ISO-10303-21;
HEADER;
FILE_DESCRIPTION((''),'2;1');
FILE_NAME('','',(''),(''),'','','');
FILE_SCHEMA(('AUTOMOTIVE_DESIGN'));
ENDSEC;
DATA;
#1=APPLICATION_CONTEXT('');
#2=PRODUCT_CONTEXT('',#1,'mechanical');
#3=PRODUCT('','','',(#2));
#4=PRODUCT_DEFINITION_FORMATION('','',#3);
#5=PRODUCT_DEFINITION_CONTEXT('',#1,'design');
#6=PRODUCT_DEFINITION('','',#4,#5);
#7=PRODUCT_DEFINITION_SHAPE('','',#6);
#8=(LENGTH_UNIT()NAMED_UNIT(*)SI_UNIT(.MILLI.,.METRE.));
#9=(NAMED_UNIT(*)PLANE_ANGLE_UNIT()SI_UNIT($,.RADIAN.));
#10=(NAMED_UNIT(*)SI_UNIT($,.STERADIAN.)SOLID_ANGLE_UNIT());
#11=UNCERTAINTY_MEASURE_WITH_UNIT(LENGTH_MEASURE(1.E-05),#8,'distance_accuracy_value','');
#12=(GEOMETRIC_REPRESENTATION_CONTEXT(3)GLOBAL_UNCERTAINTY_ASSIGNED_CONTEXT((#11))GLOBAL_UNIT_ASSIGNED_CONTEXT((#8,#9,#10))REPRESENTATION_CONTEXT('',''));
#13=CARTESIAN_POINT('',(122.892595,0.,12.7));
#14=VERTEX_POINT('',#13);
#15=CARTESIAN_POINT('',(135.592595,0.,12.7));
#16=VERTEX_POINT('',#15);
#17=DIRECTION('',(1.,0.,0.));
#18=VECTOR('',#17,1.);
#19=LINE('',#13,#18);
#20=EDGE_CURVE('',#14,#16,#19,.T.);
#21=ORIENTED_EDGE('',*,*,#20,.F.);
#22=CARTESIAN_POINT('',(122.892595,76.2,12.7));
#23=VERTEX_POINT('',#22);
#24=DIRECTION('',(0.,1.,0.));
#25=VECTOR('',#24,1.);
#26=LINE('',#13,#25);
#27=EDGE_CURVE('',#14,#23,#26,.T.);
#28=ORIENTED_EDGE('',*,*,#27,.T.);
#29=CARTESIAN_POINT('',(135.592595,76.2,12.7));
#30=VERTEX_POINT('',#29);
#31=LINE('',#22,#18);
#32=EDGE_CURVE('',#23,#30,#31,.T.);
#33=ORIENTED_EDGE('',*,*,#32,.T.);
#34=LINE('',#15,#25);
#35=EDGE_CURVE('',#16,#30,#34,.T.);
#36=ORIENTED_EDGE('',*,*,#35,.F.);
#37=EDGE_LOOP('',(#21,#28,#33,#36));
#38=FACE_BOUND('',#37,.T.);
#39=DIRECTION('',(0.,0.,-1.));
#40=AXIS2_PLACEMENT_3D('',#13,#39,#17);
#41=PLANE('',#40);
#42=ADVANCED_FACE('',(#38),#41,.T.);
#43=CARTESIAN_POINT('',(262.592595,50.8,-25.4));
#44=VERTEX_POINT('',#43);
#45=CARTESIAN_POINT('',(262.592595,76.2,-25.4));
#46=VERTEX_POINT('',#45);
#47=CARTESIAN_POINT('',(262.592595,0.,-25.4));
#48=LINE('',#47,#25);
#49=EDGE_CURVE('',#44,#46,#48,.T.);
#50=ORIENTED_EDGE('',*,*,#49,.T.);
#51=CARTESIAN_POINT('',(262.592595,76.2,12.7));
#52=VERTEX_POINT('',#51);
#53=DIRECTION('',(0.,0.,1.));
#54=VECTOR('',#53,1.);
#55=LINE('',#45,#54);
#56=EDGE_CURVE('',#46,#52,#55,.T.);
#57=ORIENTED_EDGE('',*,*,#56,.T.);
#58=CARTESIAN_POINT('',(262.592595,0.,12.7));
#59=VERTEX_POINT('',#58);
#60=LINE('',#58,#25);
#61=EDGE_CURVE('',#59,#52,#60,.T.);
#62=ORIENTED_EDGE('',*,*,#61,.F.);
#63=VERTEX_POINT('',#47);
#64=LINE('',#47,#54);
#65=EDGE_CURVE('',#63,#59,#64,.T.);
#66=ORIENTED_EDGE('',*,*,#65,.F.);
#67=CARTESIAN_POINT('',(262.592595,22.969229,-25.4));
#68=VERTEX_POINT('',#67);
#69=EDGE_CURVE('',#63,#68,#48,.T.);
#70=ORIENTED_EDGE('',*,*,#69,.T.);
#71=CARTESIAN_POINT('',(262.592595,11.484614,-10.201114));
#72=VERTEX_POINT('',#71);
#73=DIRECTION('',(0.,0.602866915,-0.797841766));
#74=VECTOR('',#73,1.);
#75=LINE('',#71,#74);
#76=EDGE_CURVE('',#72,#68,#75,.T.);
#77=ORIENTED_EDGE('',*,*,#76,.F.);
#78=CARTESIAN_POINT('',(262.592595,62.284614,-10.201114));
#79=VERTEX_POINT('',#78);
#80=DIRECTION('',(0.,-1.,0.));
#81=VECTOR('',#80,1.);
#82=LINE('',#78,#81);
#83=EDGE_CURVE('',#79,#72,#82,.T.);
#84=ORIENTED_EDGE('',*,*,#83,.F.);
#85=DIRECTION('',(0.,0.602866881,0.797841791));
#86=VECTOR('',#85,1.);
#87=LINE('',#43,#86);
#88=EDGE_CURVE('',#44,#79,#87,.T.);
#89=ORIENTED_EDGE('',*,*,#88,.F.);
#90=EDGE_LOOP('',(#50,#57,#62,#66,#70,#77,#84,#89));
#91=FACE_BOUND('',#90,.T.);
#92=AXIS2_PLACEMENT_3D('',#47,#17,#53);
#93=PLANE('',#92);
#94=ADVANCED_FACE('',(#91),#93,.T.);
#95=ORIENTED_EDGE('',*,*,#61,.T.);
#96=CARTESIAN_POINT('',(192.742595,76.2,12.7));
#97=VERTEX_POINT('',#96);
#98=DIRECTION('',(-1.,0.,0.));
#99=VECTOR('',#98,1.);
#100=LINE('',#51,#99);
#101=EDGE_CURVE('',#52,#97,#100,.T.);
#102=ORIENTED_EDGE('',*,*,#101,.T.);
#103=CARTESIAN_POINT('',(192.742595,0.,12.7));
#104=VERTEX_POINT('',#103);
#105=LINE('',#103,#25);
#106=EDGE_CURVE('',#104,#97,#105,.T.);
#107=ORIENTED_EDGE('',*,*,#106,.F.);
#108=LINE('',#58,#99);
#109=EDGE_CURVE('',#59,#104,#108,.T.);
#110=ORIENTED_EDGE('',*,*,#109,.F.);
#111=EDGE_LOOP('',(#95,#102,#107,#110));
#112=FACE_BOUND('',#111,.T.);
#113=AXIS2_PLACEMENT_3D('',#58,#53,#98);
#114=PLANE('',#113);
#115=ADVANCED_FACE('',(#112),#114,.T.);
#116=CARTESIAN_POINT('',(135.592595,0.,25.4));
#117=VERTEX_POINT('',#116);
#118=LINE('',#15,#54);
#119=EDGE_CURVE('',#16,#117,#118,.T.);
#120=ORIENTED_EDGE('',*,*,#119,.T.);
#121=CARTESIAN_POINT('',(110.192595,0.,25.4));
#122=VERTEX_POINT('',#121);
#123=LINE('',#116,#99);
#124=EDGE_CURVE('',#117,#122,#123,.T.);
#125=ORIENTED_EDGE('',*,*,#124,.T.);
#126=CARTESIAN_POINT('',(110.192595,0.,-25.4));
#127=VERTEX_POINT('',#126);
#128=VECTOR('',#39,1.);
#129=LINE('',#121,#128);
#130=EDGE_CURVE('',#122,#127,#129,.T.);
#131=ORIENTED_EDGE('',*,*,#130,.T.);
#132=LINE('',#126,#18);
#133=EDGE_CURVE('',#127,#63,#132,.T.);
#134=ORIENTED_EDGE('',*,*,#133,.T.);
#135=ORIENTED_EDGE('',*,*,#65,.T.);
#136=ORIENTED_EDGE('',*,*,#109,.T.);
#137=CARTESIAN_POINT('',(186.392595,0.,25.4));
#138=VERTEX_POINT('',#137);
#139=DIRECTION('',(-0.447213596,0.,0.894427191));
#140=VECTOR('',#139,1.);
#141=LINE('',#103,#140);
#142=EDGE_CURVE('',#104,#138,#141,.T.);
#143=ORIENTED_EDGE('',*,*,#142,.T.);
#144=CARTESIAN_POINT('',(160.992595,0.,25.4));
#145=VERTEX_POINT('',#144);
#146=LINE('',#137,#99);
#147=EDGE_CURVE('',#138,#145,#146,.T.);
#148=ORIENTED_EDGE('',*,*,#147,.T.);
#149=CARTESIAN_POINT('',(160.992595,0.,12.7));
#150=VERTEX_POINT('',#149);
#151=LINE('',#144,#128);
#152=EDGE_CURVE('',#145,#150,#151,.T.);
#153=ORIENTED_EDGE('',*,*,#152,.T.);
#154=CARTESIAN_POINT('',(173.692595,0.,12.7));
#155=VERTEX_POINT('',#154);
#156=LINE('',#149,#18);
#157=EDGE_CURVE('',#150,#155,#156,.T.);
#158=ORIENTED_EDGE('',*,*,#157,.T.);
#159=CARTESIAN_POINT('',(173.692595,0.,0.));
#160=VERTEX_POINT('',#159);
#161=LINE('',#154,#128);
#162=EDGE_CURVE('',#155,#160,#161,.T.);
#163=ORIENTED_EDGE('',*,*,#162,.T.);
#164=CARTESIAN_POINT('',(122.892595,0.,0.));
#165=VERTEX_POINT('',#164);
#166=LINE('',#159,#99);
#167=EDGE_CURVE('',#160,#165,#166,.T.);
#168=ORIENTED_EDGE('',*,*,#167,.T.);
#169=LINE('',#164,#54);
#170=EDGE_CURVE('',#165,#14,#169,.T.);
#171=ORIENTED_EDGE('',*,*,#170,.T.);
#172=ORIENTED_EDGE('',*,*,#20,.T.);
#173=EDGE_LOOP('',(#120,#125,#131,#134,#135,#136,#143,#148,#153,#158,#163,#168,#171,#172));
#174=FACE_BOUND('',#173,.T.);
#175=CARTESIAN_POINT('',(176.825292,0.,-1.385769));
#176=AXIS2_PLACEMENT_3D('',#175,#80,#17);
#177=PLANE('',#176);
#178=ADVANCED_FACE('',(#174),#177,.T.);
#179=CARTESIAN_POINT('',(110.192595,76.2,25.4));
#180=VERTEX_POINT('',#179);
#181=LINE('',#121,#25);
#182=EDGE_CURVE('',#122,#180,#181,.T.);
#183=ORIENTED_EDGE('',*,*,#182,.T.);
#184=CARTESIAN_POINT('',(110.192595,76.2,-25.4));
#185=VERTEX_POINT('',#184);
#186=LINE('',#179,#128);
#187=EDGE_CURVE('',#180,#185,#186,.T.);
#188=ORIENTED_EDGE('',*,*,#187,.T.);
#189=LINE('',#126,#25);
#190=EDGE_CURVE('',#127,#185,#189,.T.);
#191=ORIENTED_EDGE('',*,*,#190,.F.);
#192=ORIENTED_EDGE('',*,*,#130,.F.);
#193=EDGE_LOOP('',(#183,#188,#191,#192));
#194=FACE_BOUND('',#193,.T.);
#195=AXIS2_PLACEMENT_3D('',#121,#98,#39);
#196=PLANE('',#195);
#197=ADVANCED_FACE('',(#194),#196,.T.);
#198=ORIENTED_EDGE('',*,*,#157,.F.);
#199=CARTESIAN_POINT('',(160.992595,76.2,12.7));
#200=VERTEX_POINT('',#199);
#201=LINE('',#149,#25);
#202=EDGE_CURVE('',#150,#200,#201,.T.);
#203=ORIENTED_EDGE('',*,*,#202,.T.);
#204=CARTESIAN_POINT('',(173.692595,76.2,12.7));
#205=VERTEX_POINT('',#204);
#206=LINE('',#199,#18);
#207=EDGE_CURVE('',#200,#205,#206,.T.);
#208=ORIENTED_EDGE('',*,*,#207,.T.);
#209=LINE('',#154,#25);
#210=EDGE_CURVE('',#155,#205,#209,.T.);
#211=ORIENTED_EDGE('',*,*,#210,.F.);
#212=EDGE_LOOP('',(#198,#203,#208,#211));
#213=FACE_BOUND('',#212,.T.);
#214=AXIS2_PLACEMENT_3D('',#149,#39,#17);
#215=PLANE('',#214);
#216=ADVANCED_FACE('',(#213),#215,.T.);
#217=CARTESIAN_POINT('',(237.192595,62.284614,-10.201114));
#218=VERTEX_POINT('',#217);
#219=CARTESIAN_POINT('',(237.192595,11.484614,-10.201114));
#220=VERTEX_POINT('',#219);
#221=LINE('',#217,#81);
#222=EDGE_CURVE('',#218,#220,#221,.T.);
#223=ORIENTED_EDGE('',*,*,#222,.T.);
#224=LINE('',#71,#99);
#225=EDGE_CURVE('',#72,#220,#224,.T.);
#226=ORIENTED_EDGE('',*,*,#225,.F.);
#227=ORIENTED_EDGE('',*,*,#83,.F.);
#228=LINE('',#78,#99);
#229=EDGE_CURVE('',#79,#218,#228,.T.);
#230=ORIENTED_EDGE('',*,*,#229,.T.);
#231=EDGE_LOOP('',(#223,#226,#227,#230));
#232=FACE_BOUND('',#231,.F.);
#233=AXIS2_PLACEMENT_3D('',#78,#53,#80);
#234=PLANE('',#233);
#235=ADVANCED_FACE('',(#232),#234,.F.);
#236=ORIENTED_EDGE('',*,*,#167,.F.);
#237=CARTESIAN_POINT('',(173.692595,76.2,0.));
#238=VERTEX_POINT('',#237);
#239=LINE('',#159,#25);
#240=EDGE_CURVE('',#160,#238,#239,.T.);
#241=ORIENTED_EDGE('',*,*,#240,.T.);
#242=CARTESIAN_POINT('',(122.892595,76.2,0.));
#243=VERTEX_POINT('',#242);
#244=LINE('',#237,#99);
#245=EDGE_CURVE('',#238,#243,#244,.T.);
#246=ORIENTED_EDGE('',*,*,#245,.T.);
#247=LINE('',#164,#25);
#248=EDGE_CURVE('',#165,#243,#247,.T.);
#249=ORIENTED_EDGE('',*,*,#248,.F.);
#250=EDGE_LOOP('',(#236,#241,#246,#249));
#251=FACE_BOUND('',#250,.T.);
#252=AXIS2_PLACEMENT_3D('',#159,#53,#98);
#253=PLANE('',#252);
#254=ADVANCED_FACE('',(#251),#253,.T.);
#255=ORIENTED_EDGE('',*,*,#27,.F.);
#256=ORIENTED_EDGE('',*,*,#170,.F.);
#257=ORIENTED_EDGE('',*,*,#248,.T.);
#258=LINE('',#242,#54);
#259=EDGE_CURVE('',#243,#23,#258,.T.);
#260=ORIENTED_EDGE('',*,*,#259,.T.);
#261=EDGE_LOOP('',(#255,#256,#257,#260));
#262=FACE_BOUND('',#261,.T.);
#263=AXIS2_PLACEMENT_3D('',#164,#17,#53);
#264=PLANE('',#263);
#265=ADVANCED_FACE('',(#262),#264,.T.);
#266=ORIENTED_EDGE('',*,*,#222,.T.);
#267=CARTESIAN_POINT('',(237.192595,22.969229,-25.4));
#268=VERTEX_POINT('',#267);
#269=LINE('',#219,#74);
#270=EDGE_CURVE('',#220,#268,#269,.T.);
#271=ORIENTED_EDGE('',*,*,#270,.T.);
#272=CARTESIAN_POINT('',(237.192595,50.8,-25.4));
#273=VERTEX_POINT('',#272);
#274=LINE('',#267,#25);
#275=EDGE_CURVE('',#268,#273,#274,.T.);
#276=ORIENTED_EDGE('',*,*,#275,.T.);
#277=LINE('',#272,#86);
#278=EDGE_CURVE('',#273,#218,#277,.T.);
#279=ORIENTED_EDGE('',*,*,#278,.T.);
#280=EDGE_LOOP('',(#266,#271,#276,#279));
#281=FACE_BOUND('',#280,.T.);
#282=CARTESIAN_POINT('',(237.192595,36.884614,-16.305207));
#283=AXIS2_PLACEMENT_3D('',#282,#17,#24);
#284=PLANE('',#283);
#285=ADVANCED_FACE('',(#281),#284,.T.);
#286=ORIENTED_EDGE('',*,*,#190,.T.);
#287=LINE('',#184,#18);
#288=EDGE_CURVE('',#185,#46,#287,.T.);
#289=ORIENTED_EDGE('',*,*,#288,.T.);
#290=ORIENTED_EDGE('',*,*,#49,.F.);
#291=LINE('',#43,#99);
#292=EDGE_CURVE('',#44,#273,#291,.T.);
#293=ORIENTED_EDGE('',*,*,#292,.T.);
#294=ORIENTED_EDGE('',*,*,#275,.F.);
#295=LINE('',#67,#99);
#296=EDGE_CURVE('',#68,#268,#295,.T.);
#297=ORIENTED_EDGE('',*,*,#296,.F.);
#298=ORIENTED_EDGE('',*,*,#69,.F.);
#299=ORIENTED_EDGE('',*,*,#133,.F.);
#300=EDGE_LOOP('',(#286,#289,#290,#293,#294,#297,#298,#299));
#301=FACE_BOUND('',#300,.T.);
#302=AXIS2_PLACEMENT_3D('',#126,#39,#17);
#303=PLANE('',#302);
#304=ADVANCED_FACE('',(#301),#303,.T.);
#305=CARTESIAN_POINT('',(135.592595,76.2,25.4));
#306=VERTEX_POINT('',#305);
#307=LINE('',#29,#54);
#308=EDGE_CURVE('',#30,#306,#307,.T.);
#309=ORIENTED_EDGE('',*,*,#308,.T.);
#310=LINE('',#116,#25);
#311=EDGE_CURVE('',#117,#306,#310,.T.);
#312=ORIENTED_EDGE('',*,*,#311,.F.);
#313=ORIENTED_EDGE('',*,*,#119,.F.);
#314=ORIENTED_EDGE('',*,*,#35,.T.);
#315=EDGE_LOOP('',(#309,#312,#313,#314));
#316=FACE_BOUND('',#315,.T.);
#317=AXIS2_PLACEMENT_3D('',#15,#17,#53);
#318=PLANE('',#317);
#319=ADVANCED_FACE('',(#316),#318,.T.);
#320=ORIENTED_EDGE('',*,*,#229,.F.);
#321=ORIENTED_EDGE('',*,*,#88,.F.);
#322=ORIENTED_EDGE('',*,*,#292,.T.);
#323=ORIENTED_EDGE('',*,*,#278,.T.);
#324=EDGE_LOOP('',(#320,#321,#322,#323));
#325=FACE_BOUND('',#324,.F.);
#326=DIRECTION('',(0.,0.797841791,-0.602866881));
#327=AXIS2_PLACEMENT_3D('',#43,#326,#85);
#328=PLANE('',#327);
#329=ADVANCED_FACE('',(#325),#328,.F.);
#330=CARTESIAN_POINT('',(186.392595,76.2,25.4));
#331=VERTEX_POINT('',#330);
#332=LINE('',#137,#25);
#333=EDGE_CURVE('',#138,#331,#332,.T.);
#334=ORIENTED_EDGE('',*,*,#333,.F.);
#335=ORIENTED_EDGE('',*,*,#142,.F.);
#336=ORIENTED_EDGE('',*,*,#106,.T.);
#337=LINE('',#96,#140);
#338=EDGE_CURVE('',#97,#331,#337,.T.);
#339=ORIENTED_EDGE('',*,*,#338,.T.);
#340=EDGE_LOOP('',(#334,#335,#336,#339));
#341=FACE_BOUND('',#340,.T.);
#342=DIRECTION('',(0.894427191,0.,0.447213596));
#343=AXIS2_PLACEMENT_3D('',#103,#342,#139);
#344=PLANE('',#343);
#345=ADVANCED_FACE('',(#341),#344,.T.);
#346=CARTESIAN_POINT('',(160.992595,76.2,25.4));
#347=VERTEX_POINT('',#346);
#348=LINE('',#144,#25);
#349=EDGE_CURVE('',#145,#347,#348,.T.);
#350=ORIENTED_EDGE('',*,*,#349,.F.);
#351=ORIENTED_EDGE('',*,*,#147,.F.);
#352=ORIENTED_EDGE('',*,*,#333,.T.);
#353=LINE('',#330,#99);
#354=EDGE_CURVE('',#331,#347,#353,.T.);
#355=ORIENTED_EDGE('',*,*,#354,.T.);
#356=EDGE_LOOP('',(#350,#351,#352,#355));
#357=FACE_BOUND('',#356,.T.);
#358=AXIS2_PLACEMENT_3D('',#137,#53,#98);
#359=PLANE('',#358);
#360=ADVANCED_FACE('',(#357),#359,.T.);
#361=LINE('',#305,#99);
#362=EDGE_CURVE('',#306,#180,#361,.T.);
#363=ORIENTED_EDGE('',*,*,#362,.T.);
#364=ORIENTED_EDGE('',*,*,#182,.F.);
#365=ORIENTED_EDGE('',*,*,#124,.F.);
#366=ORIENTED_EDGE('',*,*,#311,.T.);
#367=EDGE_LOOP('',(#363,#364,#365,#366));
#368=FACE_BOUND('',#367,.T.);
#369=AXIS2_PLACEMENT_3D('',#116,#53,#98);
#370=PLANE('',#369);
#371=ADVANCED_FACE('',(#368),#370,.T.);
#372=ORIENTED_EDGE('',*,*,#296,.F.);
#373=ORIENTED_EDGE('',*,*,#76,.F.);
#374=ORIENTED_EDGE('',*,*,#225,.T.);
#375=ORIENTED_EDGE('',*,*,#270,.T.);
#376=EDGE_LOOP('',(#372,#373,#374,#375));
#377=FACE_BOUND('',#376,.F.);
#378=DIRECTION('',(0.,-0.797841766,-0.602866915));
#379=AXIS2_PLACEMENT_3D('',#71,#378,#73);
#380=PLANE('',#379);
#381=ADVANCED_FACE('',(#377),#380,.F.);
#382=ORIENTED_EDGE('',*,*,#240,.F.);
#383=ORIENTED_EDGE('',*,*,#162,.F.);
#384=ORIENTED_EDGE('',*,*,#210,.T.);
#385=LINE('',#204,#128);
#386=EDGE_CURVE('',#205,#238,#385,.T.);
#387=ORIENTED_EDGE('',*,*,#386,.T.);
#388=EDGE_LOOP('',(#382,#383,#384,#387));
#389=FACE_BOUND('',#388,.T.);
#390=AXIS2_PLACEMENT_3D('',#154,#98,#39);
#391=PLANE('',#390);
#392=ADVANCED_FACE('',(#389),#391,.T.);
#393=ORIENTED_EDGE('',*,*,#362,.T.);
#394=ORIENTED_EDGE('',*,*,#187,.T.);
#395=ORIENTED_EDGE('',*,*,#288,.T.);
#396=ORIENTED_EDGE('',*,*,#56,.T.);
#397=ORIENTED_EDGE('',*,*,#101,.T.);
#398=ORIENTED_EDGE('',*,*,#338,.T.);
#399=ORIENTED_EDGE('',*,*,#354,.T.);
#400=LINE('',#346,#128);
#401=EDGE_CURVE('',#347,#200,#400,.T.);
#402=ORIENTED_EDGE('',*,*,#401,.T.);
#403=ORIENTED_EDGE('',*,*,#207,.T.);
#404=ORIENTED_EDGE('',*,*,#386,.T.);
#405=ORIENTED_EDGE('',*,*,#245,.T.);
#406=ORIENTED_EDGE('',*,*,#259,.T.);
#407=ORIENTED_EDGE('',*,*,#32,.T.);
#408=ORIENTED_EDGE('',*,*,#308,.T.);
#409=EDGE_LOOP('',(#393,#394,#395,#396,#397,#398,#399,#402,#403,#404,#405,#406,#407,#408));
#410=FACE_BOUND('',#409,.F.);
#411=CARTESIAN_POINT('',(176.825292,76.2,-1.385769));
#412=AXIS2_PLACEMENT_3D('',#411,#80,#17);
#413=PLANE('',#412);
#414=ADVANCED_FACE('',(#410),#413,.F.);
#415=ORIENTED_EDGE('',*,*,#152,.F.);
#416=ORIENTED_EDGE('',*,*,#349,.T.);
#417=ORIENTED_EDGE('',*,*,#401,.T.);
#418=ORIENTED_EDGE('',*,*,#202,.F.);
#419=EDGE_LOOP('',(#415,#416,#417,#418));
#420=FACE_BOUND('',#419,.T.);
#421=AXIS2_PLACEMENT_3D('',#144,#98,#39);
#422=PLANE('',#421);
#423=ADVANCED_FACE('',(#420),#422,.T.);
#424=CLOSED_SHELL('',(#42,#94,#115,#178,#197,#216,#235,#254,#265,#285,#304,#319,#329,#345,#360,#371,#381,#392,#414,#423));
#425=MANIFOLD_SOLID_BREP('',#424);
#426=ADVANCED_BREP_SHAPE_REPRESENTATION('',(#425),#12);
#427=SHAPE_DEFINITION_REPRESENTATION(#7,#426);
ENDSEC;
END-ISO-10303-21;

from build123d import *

# Parameters (mm, degrees)
F1_DEPTH = 76.2
F3_DEPTH = 25.4


with BuildPart() as f1:
    # F0 (on Front) → F1 (new body)
    with BuildSketch(Plane.XZ):
        Polygon((122.892595, 12.7), (135.592595, 12.7), (135.592595, 25.4), (110.192595, 25.4), (110.192595, -25.4), (262.592595, -25.4), (262.592595, 12.7), (192.742595, 12.7), (186.392595, 25.4), (160.992595, 25.4), (160.992595, 12.7), (173.692595, 12.7), (173.692595, 0), (122.892595, 0), align=None)
    extrude(amount=-F1_DEPTH)

    # F2 (on face) → F3 (cut)
    with BuildSketch(Plane.YZ.offset(262.592595)):
        Polygon((11.484614, -10.201114), (22.969229, -25.4), (50.8, -25.4), (62.284614, -10.201114), align=None)
    extrude(amount=-F3_DEPTH, mode=Mode.SUBTRACT)


solid = f1.part
